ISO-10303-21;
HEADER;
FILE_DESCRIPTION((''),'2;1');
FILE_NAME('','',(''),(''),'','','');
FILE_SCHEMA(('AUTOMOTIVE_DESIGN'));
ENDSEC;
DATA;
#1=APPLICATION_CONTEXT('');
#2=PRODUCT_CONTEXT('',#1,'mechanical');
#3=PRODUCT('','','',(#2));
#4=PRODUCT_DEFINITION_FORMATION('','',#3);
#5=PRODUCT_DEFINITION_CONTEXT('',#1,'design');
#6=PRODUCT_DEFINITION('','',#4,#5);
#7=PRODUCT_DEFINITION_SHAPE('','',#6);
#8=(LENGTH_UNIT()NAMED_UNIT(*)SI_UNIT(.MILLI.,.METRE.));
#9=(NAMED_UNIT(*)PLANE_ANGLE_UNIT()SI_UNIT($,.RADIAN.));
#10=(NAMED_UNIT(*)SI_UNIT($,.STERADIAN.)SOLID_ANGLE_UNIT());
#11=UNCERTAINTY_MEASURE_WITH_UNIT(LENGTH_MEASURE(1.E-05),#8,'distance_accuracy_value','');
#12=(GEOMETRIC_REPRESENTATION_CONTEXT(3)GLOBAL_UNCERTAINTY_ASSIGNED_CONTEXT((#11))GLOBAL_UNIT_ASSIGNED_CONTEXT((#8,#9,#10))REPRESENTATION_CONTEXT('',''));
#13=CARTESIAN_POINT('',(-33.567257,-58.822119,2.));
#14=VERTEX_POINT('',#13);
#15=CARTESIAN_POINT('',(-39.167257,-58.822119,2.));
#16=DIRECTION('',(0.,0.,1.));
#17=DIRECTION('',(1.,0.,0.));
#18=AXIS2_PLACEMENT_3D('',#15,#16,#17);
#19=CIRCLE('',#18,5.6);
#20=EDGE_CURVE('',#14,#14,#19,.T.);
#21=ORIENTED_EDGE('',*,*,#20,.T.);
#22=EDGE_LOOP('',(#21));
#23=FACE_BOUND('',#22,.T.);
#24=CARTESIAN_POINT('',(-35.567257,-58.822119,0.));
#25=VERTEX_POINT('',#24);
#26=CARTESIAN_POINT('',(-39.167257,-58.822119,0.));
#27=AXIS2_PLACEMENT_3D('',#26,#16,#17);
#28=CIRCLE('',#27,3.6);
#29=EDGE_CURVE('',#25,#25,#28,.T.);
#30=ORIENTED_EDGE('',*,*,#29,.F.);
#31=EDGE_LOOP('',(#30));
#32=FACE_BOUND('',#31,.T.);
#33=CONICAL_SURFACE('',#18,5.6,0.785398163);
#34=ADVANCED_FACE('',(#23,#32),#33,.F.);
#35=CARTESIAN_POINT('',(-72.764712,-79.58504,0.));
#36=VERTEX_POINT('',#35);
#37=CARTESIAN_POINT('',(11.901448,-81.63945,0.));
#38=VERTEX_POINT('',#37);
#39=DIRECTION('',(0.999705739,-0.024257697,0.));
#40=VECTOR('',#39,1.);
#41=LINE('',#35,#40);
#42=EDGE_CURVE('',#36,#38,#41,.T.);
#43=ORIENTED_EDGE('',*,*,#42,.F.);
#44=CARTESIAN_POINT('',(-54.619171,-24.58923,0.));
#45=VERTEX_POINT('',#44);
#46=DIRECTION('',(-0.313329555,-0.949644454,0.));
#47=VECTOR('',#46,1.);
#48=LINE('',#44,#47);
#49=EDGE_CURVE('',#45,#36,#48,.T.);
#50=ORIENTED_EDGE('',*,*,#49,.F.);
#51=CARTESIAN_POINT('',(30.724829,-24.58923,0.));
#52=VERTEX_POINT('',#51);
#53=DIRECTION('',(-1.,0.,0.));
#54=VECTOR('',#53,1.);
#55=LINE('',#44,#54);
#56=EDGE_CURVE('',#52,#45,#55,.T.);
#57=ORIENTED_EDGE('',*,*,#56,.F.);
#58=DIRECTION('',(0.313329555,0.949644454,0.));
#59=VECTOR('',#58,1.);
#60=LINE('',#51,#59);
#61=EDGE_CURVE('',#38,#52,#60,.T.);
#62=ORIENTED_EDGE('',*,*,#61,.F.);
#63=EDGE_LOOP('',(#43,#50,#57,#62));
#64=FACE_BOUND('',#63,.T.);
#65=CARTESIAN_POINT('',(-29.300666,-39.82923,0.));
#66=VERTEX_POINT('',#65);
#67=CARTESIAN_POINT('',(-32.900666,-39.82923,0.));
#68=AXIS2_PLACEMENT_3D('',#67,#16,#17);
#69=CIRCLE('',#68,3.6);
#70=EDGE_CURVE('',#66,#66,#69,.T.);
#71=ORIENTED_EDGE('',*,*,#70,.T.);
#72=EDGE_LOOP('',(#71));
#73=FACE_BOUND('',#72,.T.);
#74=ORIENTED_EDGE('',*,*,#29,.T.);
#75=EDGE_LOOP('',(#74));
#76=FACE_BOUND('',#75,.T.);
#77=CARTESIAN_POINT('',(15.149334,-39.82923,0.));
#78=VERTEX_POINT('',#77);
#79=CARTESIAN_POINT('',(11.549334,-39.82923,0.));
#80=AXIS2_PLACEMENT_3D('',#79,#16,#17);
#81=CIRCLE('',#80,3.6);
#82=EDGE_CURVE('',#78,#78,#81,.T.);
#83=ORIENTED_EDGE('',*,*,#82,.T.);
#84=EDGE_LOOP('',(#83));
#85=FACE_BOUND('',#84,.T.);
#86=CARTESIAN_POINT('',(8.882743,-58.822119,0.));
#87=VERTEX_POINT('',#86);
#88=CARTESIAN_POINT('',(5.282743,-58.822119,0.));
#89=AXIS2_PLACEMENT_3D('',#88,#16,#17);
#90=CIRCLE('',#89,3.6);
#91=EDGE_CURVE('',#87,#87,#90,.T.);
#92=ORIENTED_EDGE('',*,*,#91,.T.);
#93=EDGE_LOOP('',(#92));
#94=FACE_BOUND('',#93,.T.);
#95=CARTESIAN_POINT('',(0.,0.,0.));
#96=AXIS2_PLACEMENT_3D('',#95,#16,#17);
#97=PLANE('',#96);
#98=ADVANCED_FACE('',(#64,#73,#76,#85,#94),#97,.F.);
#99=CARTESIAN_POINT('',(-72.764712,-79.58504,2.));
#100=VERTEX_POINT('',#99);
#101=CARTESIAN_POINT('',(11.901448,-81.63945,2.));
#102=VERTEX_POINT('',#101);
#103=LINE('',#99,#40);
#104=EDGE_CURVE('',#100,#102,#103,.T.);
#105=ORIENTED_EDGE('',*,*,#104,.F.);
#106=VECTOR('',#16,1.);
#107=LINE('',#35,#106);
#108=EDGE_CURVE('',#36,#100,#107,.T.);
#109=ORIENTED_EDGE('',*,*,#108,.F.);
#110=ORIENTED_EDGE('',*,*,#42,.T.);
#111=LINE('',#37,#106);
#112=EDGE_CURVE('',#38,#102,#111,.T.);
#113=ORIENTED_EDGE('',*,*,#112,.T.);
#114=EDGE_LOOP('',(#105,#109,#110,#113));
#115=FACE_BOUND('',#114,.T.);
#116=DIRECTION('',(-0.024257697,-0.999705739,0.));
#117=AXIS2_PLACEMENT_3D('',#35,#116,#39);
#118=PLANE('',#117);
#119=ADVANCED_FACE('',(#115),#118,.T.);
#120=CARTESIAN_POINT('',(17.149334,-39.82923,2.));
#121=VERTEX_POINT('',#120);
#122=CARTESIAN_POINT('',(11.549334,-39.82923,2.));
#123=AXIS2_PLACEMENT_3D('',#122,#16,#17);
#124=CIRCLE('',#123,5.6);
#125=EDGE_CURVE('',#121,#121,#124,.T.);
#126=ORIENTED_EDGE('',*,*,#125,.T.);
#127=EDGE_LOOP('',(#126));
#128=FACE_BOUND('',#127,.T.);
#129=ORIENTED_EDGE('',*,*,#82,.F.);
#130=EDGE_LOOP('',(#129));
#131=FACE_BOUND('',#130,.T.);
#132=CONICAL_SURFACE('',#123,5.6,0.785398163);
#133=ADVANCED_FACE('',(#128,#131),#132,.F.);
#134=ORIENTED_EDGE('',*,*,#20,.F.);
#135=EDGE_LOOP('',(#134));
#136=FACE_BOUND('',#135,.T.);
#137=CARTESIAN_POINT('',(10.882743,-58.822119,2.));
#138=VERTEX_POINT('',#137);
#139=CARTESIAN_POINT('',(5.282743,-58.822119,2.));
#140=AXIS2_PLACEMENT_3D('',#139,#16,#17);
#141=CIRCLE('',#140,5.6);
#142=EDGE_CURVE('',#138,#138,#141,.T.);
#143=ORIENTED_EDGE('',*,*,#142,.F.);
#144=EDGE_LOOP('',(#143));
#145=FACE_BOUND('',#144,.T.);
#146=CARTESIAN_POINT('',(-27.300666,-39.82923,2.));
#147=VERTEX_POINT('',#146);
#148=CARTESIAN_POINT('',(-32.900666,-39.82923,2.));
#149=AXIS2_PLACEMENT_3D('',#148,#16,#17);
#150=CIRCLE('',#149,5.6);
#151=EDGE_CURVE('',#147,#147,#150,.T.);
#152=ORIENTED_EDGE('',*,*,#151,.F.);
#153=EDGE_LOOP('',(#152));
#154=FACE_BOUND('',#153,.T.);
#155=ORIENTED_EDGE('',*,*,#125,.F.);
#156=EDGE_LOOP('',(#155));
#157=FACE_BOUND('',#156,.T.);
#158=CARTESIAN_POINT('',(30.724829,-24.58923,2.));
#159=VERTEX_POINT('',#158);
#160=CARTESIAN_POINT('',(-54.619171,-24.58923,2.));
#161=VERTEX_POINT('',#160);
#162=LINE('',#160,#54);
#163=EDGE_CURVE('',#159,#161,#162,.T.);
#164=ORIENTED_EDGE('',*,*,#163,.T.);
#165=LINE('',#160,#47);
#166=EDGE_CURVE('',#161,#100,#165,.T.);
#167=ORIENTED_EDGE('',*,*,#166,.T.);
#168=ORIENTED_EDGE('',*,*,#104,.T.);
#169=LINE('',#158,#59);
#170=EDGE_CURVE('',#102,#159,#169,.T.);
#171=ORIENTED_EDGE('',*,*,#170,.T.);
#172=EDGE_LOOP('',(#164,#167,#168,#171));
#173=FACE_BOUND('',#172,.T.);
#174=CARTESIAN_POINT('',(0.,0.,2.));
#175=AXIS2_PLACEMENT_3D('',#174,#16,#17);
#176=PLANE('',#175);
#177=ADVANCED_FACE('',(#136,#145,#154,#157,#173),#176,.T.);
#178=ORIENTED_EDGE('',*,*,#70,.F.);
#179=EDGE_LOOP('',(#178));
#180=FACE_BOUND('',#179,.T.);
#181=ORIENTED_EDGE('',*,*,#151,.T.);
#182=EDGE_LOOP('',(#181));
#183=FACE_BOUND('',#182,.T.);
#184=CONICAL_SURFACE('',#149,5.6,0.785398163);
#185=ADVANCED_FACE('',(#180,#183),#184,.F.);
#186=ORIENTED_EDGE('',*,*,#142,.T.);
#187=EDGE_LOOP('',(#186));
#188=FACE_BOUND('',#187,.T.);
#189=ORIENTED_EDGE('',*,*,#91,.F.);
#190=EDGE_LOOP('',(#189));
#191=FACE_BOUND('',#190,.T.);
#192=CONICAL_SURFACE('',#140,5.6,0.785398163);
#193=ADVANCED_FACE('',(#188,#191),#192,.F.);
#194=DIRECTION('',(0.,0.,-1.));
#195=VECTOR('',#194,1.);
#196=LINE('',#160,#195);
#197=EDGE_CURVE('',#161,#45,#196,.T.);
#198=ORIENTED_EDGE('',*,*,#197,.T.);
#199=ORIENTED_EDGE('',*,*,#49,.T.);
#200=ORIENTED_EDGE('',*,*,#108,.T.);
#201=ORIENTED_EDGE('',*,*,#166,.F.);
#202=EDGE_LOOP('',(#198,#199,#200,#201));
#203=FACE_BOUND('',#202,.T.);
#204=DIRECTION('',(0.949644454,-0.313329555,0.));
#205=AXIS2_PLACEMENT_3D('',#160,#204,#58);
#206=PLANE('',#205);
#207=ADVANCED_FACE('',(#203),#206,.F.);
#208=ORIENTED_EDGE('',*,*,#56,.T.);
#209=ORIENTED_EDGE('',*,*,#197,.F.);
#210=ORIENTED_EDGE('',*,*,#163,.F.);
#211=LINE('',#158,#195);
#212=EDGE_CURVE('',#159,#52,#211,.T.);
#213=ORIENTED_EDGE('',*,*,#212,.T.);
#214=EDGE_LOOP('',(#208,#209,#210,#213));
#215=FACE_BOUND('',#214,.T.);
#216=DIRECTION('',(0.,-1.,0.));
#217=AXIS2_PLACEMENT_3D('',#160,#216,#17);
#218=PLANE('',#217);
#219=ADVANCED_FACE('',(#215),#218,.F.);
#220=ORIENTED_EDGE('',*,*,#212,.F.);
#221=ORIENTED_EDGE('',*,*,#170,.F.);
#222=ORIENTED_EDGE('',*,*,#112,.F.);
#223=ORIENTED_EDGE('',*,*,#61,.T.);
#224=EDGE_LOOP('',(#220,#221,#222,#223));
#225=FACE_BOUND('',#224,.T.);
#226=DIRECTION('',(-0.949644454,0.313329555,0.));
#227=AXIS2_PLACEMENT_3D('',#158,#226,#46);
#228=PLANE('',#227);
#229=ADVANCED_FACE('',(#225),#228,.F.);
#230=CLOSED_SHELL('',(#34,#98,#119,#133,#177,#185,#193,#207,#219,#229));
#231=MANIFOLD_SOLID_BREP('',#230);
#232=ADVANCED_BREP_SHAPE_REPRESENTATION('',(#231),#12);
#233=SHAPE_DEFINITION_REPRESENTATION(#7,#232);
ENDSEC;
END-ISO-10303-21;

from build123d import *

# Parameters (mm, degrees)
BOSS_EXTRUDE1_DEPTH          = 2
BOSS_EXTRUDE2_DEPTH          = 2
SKETCH4_R                    = 2.5
CUT_EXTRUDE2_DEPTH           = 2
CSK_FOR_M5_SFHCS1_AT_2_COUNT = 2
CSK_FOR_M5_SFHCS1_AT_2_PITCH = 44.45
CSK_FOR_M5_SFHCS1_AT_3_COUNT = 2
CSK_FOR_M5_SFHCS1_AT_3_PITCH = 42.64624896
CSK_FOR_M5_SFHCS1_AT_4_COUNT = 2
CSK_FOR_M5_SFHCS1_AT_4_PITCH = 20


with BuildPart() as part:
    # Sketch2 → Boss-Extrude1 (new body)
    with BuildSketch(Plane.XY):
        Polygon((-54.61917065, -24.589230235), (30.72482935, -24.589230235), (13.852659447, -75.725684813), (-71.491340553, -75.725684813), align=None)
    extrude(amount=BOSS_EXTRUDE1_DEPTH)

    # Sketch3 → Boss-Extrude2 (add)
    with BuildSketch(Plane.XY.offset(2)):
        Polygon((-72.764711867, -79.585039875), (11.90144755, -81.639450446), (13.852659447, -75.725684813), (-71.491340553, -75.725684813), align=None)
    extrude(amount=-BOSS_EXTRUDE2_DEPTH)

    # Sketch4 → Cut-Extrude2 (cut)
    with BuildSketch(Plane.XY.offset(2)):
        with Locations((-32.900665919, -39.829230235)):
            Circle(SKETCH4_R)
        with Locations((11.549334081, -39.829230235)):
            Circle(SKETCH4_R)
        with Locations((5.282742972, -58.822119322)):
            Circle(SKETCH4_R)
        with Locations((-39.167257028, -58.822119322)):
            Circle(SKETCH4_R)
    extrude(amount=-CUT_EXTRUDE2_DEPTH, mode=Mode.SUBTRACT)

    # Sketch6 → CSK for M5 SFHCS1 (revolve, cut)
    with BuildSketch(Plane(origin=(-32.900665919, -39.829230235, 2), x_dir=(0, -1, 0), z_dir=(1, 0, 0))):
        Polygon((0, 0), (0, 2), (2.75, 2), (2.75, 2.85), (5.6, 0), align=None)
    csk_for_m5_sfhcs1 = revolve(axis=Axis((-32.900665919, -39.829230235, 8.35), (0, 0, -1)), mode=Mode.SUBTRACT)

    # CSK for M5 SFHCS1 at 2: CSK for M5 SFHCS1 ×2
    with Locations(*[(i * CSK_FOR_M5_SFHCS1_AT_2_PITCH, 0, 0) for i in range(1, CSK_FOR_M5_SFHCS1_AT_2_COUNT)]):
        add(csk_for_m5_sfhcs1, mode=Mode.SUBTRACT)

    # CSK for M5 SFHCS1 at 3: CSK for M5 SFHCS1 ×2
    with Locations(*[Vector(0.8953521076667903, -0.44535896004979675, 0) * (i * CSK_FOR_M5_SFHCS1_AT_3_PITCH) for i in range(1, CSK_FOR_M5_SFHCS1_AT_3_COUNT)]):
        add(csk_for_m5_sfhcs1, mode=Mode.SUBTRACT)

    # CSK for M5 SFHCS1 at 4: CSK for M5 SFHCS1 ×2
    with Locations(*[Vector(-0.31332955547970925, -0.9496444543421964, 0) * (i * CSK_FOR_M5_SFHCS1_AT_4_PITCH) for i in range(1, CSK_FOR_M5_SFHCS1_AT_4_COUNT)]):
        add(csk_for_m5_sfhcs1, mode=Mode.SUBTRACT)


solid = part.part
